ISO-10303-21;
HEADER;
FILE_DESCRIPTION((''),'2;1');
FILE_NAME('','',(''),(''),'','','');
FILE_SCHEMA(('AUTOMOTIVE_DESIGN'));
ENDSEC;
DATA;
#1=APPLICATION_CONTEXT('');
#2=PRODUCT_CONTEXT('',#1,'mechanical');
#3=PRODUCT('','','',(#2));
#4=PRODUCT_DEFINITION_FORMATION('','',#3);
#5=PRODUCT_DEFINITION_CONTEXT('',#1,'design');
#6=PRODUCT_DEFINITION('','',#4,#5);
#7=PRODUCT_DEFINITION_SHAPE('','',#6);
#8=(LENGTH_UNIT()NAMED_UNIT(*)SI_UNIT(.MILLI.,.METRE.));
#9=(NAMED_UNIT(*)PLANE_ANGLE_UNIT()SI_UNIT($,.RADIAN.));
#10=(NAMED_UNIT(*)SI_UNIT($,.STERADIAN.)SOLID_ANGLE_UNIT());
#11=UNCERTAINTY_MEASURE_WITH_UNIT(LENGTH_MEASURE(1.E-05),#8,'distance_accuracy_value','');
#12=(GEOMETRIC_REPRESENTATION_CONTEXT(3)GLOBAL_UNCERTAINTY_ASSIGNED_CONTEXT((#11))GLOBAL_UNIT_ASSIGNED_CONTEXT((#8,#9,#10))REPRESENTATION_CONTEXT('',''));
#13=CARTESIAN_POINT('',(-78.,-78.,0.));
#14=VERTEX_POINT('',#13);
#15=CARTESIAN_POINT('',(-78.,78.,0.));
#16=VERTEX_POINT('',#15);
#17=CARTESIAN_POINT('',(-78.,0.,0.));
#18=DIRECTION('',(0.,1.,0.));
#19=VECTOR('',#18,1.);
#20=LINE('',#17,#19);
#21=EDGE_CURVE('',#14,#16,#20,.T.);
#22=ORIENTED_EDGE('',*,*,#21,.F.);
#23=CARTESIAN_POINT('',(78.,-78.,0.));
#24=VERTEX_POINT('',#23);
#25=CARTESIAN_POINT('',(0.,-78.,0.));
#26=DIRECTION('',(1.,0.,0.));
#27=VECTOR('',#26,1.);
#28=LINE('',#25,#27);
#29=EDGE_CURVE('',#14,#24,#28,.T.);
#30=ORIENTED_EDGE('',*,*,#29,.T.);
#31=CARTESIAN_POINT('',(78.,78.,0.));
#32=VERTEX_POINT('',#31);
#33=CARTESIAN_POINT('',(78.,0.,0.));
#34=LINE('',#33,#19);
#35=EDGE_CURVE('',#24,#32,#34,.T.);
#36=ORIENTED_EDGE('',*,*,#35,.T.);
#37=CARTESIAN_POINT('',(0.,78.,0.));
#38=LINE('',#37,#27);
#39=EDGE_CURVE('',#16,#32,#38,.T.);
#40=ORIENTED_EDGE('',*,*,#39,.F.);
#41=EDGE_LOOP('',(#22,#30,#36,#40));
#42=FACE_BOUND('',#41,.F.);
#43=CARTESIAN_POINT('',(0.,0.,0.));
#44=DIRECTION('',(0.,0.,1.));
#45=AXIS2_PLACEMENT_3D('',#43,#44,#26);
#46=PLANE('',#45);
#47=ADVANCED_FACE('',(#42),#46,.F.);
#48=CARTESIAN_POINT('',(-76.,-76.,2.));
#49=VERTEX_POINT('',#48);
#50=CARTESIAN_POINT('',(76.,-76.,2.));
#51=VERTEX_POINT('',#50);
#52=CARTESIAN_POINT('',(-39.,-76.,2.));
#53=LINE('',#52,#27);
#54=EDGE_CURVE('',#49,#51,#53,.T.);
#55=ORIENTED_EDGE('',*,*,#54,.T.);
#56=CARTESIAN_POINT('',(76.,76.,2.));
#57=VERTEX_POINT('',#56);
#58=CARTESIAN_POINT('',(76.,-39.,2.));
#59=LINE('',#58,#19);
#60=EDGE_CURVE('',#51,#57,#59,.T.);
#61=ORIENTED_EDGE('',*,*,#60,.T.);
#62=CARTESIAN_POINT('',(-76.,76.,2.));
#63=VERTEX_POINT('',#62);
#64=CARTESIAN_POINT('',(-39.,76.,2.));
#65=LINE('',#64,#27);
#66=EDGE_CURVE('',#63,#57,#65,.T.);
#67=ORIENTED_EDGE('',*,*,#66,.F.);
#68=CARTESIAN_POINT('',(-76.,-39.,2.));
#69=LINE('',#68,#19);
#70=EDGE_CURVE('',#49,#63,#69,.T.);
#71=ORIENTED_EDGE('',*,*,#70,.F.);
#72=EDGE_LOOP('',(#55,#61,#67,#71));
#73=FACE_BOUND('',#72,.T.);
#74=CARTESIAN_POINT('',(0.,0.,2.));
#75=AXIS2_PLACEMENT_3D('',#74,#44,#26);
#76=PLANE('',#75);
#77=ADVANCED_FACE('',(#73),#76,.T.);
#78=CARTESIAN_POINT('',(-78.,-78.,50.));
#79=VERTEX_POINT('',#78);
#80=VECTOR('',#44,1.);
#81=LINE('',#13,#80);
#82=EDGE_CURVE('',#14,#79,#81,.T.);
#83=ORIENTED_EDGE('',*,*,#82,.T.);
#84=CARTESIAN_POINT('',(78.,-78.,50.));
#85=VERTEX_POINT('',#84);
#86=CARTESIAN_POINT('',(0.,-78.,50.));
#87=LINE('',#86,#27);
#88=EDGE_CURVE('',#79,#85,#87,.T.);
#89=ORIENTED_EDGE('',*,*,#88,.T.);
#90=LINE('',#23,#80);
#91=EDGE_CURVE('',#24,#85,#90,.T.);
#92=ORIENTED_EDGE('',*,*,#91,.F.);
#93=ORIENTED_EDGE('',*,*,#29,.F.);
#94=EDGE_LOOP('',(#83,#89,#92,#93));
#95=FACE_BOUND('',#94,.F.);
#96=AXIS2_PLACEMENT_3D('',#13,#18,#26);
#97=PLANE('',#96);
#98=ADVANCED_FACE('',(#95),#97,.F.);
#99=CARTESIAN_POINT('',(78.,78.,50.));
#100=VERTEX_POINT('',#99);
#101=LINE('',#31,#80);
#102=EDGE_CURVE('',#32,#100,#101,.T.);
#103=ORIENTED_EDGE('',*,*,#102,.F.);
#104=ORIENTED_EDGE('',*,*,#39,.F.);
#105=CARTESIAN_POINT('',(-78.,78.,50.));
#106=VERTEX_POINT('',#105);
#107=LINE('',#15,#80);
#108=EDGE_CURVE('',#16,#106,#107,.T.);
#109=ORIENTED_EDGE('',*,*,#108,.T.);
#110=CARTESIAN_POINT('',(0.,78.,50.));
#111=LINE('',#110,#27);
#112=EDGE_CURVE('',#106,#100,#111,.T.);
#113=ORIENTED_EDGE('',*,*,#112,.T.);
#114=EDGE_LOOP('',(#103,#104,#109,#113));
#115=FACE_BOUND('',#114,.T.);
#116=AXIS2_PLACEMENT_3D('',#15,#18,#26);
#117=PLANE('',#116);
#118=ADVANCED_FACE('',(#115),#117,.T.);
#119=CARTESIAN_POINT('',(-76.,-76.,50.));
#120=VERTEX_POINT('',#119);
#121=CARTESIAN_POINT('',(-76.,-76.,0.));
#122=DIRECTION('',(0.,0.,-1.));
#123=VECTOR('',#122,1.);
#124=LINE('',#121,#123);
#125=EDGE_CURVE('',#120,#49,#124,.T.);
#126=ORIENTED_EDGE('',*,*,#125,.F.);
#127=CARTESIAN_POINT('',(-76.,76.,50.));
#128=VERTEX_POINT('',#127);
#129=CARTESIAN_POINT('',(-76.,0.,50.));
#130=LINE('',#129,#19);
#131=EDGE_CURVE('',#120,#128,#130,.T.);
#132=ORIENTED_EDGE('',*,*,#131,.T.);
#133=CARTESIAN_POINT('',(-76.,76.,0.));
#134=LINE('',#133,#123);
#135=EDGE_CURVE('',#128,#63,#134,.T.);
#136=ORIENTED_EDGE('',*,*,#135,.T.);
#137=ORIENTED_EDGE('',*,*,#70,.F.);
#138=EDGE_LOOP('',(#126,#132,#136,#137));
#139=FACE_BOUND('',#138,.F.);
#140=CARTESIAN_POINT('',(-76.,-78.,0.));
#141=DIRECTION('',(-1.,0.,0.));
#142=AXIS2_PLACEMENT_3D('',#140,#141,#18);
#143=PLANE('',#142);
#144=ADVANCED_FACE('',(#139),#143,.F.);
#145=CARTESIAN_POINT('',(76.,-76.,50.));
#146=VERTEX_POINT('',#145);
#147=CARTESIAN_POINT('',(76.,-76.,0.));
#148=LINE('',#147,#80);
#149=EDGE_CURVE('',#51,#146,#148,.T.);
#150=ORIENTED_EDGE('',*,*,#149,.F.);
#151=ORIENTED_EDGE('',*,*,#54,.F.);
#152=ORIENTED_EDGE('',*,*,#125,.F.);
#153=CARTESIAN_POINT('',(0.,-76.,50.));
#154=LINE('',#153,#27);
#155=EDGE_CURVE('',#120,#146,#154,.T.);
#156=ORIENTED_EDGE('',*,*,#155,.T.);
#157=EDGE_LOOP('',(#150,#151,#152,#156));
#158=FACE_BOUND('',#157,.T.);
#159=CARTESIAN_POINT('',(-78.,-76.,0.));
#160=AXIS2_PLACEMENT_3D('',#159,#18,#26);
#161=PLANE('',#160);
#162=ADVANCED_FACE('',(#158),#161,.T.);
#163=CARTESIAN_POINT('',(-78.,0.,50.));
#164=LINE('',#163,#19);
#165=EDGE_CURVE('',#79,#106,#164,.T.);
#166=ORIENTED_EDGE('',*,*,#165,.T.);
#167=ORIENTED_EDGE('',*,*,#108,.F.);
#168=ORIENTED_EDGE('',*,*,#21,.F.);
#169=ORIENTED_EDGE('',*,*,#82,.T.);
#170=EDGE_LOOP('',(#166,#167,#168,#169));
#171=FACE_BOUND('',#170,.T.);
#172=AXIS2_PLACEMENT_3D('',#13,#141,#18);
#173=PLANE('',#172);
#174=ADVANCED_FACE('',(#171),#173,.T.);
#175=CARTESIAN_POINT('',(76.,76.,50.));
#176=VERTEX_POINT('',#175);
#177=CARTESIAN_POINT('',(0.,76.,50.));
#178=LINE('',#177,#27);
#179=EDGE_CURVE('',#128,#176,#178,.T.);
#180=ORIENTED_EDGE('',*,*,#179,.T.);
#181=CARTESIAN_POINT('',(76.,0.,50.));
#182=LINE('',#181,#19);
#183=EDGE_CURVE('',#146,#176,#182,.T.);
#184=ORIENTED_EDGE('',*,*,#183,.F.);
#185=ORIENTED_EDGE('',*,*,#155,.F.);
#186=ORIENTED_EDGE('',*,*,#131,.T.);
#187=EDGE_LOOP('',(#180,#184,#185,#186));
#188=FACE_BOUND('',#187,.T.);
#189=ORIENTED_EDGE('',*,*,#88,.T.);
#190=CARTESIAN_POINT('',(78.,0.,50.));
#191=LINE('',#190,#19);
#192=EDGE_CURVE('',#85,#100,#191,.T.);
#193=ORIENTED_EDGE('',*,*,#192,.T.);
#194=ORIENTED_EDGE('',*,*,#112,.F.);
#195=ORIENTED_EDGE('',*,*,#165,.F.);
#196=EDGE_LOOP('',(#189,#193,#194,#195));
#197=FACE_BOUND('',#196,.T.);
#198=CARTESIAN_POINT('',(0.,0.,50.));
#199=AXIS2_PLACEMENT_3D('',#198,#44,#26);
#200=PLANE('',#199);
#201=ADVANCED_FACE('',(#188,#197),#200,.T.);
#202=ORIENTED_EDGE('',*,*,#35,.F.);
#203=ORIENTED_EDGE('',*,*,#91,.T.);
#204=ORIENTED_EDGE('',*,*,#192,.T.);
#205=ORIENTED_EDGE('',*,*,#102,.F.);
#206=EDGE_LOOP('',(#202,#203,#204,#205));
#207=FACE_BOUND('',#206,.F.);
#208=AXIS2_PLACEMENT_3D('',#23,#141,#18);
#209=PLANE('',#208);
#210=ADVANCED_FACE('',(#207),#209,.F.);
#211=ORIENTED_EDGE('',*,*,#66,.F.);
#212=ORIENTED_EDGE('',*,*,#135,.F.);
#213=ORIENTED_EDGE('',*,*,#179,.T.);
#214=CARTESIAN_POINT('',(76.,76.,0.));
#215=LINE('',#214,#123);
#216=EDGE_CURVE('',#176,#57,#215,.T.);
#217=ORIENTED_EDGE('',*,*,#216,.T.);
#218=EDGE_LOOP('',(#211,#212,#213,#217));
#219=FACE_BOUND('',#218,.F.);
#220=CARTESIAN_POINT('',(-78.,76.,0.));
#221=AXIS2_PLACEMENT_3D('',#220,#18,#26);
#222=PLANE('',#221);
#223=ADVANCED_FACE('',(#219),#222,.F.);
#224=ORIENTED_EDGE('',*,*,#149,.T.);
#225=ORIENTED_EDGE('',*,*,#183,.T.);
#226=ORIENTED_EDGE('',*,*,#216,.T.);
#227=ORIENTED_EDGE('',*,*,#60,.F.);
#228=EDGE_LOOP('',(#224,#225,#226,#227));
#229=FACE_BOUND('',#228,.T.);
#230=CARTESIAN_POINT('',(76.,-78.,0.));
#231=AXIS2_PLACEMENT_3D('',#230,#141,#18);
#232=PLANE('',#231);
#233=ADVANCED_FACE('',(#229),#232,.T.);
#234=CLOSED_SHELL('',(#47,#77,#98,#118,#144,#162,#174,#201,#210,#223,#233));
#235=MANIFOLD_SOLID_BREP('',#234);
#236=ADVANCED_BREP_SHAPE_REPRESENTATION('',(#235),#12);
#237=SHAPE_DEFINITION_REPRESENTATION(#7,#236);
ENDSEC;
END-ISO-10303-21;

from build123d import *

# Parameters (mm, degrees)
SKETCH_W    = 156
SKETCH_H    = 156
PAD_DEPTH   = 50
THICKNESS_T = -2


with BuildPart() as part:
    # Sketch → Pad (new body)
    with BuildSketch(Plane.XY):
        Rectangle(SKETCH_W, SKETCH_H)
    extrude(amount=PAD_DEPTH)

    # Thickness
    thickness_openings = [part.faces().sort_by_distance(p)[0] for p in [
        (0, 0, 50),
    ]]
    offset(amount=THICKNESS_T, openings=thickness_openings)


solid = part.part
